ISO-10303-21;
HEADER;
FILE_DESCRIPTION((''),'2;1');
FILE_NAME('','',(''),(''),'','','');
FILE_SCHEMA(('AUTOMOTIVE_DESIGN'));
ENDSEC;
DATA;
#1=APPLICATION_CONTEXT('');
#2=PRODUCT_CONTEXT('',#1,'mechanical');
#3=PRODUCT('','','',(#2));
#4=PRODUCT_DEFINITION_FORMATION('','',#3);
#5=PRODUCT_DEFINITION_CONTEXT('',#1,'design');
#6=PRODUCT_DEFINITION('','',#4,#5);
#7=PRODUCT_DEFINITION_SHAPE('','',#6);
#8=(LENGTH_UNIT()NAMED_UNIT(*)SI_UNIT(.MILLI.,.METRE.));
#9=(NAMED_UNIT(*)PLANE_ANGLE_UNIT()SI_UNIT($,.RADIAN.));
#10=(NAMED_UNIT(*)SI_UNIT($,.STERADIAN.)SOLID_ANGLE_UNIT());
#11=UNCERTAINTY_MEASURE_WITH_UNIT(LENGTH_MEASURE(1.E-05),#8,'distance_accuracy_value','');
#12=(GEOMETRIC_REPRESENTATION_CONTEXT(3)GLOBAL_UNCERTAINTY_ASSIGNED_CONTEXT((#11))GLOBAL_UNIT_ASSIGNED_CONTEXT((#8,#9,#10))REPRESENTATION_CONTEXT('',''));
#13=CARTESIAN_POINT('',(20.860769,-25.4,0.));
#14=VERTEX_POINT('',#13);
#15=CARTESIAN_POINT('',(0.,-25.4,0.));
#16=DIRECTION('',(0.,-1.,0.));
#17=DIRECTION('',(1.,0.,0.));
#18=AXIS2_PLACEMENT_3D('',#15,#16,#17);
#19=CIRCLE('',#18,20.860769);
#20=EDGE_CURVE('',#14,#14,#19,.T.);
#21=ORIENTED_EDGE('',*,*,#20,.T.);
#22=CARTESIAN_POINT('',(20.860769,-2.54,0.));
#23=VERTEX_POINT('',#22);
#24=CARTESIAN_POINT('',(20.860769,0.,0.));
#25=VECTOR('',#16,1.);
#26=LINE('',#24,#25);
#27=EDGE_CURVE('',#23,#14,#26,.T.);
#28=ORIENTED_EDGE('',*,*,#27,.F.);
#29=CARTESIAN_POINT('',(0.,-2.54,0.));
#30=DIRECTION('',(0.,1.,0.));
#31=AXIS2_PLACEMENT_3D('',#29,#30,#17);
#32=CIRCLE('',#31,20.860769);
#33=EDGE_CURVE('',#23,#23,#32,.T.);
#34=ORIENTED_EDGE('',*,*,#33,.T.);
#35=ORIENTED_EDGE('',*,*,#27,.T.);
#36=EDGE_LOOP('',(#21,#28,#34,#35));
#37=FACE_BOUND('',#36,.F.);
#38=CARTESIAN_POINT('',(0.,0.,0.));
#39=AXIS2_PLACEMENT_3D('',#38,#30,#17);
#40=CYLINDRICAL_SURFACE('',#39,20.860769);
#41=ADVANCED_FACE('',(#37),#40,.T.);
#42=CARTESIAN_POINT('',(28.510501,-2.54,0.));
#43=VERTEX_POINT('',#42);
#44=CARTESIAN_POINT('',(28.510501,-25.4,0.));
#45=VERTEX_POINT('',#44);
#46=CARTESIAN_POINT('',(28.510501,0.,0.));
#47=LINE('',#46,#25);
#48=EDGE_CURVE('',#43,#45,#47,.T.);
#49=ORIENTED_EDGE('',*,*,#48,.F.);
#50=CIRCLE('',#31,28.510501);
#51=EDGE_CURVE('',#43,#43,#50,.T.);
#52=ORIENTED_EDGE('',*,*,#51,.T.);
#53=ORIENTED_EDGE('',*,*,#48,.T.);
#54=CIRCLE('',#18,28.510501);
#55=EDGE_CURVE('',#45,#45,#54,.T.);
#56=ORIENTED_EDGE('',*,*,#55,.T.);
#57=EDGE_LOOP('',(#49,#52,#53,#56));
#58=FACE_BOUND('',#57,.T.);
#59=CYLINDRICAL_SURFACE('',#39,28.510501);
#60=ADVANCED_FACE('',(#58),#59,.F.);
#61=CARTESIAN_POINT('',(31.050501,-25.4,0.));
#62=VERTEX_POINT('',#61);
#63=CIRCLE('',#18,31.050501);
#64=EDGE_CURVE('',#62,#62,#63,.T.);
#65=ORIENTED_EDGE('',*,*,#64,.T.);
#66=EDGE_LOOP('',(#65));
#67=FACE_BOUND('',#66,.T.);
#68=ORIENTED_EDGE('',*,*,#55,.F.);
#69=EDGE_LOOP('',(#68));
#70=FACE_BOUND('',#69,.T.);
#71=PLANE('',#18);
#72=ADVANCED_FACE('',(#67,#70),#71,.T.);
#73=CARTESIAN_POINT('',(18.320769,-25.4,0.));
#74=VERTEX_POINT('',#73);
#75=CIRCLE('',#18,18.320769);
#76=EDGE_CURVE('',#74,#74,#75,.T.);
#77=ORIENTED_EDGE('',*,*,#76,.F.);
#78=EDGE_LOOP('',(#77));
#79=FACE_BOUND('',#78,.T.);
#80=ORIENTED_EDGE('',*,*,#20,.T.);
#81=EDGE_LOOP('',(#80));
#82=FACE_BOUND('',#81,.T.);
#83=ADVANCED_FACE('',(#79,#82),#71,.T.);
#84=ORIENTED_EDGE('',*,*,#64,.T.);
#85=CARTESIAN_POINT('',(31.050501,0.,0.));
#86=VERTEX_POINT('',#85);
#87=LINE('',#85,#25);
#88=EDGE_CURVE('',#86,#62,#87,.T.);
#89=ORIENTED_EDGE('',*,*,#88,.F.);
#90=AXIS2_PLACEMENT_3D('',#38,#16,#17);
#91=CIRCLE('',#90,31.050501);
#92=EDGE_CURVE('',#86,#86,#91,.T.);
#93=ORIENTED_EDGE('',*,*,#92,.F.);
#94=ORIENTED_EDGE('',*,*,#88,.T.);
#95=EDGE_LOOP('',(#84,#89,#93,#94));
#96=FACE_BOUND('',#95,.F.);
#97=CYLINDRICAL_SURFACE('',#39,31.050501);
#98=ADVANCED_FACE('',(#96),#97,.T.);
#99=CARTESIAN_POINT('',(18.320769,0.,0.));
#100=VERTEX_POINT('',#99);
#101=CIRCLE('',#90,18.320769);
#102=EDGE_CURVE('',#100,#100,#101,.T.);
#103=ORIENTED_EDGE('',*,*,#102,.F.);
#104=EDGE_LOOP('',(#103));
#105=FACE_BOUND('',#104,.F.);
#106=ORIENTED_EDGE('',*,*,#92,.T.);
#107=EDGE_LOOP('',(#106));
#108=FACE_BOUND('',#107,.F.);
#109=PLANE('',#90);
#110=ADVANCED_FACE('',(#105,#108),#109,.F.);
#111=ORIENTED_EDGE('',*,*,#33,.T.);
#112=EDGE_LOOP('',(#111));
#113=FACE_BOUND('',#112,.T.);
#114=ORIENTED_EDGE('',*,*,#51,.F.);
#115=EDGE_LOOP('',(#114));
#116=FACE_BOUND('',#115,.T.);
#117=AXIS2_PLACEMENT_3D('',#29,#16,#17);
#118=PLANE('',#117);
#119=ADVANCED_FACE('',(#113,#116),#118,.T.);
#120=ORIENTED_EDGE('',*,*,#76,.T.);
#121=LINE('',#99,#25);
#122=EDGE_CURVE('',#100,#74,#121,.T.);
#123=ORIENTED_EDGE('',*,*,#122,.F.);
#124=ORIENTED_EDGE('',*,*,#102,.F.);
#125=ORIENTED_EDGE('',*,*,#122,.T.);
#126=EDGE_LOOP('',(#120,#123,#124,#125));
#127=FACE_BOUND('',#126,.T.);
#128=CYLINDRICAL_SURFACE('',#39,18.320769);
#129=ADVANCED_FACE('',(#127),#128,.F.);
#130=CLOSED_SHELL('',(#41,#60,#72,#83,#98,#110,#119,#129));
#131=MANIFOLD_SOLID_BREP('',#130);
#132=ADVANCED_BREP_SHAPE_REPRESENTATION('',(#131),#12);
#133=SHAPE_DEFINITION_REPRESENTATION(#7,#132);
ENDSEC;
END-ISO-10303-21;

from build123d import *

# Parameters (mm, degrees)
F0_R     = 31.050501
F0_R_2   = 18.320769
F1_DEPTH = 25.4
F2_T     = -2.54


with BuildPart() as f1:
    # F0 (on Front) → F1 (new body)
    with BuildSketch(Plane.XZ):
        Circle(F0_R)
        Circle(F0_R_2, mode=Mode.SUBTRACT)
    extrude(amount=F1_DEPTH)

    # F2
    f2_openings = [f1.faces().sort_by_distance(p)[0] for p in [
        (-30.17226, -25.4, 0),
    ]]
    offset(amount=F2_T, openings=f2_openings)


solid = f1.part
